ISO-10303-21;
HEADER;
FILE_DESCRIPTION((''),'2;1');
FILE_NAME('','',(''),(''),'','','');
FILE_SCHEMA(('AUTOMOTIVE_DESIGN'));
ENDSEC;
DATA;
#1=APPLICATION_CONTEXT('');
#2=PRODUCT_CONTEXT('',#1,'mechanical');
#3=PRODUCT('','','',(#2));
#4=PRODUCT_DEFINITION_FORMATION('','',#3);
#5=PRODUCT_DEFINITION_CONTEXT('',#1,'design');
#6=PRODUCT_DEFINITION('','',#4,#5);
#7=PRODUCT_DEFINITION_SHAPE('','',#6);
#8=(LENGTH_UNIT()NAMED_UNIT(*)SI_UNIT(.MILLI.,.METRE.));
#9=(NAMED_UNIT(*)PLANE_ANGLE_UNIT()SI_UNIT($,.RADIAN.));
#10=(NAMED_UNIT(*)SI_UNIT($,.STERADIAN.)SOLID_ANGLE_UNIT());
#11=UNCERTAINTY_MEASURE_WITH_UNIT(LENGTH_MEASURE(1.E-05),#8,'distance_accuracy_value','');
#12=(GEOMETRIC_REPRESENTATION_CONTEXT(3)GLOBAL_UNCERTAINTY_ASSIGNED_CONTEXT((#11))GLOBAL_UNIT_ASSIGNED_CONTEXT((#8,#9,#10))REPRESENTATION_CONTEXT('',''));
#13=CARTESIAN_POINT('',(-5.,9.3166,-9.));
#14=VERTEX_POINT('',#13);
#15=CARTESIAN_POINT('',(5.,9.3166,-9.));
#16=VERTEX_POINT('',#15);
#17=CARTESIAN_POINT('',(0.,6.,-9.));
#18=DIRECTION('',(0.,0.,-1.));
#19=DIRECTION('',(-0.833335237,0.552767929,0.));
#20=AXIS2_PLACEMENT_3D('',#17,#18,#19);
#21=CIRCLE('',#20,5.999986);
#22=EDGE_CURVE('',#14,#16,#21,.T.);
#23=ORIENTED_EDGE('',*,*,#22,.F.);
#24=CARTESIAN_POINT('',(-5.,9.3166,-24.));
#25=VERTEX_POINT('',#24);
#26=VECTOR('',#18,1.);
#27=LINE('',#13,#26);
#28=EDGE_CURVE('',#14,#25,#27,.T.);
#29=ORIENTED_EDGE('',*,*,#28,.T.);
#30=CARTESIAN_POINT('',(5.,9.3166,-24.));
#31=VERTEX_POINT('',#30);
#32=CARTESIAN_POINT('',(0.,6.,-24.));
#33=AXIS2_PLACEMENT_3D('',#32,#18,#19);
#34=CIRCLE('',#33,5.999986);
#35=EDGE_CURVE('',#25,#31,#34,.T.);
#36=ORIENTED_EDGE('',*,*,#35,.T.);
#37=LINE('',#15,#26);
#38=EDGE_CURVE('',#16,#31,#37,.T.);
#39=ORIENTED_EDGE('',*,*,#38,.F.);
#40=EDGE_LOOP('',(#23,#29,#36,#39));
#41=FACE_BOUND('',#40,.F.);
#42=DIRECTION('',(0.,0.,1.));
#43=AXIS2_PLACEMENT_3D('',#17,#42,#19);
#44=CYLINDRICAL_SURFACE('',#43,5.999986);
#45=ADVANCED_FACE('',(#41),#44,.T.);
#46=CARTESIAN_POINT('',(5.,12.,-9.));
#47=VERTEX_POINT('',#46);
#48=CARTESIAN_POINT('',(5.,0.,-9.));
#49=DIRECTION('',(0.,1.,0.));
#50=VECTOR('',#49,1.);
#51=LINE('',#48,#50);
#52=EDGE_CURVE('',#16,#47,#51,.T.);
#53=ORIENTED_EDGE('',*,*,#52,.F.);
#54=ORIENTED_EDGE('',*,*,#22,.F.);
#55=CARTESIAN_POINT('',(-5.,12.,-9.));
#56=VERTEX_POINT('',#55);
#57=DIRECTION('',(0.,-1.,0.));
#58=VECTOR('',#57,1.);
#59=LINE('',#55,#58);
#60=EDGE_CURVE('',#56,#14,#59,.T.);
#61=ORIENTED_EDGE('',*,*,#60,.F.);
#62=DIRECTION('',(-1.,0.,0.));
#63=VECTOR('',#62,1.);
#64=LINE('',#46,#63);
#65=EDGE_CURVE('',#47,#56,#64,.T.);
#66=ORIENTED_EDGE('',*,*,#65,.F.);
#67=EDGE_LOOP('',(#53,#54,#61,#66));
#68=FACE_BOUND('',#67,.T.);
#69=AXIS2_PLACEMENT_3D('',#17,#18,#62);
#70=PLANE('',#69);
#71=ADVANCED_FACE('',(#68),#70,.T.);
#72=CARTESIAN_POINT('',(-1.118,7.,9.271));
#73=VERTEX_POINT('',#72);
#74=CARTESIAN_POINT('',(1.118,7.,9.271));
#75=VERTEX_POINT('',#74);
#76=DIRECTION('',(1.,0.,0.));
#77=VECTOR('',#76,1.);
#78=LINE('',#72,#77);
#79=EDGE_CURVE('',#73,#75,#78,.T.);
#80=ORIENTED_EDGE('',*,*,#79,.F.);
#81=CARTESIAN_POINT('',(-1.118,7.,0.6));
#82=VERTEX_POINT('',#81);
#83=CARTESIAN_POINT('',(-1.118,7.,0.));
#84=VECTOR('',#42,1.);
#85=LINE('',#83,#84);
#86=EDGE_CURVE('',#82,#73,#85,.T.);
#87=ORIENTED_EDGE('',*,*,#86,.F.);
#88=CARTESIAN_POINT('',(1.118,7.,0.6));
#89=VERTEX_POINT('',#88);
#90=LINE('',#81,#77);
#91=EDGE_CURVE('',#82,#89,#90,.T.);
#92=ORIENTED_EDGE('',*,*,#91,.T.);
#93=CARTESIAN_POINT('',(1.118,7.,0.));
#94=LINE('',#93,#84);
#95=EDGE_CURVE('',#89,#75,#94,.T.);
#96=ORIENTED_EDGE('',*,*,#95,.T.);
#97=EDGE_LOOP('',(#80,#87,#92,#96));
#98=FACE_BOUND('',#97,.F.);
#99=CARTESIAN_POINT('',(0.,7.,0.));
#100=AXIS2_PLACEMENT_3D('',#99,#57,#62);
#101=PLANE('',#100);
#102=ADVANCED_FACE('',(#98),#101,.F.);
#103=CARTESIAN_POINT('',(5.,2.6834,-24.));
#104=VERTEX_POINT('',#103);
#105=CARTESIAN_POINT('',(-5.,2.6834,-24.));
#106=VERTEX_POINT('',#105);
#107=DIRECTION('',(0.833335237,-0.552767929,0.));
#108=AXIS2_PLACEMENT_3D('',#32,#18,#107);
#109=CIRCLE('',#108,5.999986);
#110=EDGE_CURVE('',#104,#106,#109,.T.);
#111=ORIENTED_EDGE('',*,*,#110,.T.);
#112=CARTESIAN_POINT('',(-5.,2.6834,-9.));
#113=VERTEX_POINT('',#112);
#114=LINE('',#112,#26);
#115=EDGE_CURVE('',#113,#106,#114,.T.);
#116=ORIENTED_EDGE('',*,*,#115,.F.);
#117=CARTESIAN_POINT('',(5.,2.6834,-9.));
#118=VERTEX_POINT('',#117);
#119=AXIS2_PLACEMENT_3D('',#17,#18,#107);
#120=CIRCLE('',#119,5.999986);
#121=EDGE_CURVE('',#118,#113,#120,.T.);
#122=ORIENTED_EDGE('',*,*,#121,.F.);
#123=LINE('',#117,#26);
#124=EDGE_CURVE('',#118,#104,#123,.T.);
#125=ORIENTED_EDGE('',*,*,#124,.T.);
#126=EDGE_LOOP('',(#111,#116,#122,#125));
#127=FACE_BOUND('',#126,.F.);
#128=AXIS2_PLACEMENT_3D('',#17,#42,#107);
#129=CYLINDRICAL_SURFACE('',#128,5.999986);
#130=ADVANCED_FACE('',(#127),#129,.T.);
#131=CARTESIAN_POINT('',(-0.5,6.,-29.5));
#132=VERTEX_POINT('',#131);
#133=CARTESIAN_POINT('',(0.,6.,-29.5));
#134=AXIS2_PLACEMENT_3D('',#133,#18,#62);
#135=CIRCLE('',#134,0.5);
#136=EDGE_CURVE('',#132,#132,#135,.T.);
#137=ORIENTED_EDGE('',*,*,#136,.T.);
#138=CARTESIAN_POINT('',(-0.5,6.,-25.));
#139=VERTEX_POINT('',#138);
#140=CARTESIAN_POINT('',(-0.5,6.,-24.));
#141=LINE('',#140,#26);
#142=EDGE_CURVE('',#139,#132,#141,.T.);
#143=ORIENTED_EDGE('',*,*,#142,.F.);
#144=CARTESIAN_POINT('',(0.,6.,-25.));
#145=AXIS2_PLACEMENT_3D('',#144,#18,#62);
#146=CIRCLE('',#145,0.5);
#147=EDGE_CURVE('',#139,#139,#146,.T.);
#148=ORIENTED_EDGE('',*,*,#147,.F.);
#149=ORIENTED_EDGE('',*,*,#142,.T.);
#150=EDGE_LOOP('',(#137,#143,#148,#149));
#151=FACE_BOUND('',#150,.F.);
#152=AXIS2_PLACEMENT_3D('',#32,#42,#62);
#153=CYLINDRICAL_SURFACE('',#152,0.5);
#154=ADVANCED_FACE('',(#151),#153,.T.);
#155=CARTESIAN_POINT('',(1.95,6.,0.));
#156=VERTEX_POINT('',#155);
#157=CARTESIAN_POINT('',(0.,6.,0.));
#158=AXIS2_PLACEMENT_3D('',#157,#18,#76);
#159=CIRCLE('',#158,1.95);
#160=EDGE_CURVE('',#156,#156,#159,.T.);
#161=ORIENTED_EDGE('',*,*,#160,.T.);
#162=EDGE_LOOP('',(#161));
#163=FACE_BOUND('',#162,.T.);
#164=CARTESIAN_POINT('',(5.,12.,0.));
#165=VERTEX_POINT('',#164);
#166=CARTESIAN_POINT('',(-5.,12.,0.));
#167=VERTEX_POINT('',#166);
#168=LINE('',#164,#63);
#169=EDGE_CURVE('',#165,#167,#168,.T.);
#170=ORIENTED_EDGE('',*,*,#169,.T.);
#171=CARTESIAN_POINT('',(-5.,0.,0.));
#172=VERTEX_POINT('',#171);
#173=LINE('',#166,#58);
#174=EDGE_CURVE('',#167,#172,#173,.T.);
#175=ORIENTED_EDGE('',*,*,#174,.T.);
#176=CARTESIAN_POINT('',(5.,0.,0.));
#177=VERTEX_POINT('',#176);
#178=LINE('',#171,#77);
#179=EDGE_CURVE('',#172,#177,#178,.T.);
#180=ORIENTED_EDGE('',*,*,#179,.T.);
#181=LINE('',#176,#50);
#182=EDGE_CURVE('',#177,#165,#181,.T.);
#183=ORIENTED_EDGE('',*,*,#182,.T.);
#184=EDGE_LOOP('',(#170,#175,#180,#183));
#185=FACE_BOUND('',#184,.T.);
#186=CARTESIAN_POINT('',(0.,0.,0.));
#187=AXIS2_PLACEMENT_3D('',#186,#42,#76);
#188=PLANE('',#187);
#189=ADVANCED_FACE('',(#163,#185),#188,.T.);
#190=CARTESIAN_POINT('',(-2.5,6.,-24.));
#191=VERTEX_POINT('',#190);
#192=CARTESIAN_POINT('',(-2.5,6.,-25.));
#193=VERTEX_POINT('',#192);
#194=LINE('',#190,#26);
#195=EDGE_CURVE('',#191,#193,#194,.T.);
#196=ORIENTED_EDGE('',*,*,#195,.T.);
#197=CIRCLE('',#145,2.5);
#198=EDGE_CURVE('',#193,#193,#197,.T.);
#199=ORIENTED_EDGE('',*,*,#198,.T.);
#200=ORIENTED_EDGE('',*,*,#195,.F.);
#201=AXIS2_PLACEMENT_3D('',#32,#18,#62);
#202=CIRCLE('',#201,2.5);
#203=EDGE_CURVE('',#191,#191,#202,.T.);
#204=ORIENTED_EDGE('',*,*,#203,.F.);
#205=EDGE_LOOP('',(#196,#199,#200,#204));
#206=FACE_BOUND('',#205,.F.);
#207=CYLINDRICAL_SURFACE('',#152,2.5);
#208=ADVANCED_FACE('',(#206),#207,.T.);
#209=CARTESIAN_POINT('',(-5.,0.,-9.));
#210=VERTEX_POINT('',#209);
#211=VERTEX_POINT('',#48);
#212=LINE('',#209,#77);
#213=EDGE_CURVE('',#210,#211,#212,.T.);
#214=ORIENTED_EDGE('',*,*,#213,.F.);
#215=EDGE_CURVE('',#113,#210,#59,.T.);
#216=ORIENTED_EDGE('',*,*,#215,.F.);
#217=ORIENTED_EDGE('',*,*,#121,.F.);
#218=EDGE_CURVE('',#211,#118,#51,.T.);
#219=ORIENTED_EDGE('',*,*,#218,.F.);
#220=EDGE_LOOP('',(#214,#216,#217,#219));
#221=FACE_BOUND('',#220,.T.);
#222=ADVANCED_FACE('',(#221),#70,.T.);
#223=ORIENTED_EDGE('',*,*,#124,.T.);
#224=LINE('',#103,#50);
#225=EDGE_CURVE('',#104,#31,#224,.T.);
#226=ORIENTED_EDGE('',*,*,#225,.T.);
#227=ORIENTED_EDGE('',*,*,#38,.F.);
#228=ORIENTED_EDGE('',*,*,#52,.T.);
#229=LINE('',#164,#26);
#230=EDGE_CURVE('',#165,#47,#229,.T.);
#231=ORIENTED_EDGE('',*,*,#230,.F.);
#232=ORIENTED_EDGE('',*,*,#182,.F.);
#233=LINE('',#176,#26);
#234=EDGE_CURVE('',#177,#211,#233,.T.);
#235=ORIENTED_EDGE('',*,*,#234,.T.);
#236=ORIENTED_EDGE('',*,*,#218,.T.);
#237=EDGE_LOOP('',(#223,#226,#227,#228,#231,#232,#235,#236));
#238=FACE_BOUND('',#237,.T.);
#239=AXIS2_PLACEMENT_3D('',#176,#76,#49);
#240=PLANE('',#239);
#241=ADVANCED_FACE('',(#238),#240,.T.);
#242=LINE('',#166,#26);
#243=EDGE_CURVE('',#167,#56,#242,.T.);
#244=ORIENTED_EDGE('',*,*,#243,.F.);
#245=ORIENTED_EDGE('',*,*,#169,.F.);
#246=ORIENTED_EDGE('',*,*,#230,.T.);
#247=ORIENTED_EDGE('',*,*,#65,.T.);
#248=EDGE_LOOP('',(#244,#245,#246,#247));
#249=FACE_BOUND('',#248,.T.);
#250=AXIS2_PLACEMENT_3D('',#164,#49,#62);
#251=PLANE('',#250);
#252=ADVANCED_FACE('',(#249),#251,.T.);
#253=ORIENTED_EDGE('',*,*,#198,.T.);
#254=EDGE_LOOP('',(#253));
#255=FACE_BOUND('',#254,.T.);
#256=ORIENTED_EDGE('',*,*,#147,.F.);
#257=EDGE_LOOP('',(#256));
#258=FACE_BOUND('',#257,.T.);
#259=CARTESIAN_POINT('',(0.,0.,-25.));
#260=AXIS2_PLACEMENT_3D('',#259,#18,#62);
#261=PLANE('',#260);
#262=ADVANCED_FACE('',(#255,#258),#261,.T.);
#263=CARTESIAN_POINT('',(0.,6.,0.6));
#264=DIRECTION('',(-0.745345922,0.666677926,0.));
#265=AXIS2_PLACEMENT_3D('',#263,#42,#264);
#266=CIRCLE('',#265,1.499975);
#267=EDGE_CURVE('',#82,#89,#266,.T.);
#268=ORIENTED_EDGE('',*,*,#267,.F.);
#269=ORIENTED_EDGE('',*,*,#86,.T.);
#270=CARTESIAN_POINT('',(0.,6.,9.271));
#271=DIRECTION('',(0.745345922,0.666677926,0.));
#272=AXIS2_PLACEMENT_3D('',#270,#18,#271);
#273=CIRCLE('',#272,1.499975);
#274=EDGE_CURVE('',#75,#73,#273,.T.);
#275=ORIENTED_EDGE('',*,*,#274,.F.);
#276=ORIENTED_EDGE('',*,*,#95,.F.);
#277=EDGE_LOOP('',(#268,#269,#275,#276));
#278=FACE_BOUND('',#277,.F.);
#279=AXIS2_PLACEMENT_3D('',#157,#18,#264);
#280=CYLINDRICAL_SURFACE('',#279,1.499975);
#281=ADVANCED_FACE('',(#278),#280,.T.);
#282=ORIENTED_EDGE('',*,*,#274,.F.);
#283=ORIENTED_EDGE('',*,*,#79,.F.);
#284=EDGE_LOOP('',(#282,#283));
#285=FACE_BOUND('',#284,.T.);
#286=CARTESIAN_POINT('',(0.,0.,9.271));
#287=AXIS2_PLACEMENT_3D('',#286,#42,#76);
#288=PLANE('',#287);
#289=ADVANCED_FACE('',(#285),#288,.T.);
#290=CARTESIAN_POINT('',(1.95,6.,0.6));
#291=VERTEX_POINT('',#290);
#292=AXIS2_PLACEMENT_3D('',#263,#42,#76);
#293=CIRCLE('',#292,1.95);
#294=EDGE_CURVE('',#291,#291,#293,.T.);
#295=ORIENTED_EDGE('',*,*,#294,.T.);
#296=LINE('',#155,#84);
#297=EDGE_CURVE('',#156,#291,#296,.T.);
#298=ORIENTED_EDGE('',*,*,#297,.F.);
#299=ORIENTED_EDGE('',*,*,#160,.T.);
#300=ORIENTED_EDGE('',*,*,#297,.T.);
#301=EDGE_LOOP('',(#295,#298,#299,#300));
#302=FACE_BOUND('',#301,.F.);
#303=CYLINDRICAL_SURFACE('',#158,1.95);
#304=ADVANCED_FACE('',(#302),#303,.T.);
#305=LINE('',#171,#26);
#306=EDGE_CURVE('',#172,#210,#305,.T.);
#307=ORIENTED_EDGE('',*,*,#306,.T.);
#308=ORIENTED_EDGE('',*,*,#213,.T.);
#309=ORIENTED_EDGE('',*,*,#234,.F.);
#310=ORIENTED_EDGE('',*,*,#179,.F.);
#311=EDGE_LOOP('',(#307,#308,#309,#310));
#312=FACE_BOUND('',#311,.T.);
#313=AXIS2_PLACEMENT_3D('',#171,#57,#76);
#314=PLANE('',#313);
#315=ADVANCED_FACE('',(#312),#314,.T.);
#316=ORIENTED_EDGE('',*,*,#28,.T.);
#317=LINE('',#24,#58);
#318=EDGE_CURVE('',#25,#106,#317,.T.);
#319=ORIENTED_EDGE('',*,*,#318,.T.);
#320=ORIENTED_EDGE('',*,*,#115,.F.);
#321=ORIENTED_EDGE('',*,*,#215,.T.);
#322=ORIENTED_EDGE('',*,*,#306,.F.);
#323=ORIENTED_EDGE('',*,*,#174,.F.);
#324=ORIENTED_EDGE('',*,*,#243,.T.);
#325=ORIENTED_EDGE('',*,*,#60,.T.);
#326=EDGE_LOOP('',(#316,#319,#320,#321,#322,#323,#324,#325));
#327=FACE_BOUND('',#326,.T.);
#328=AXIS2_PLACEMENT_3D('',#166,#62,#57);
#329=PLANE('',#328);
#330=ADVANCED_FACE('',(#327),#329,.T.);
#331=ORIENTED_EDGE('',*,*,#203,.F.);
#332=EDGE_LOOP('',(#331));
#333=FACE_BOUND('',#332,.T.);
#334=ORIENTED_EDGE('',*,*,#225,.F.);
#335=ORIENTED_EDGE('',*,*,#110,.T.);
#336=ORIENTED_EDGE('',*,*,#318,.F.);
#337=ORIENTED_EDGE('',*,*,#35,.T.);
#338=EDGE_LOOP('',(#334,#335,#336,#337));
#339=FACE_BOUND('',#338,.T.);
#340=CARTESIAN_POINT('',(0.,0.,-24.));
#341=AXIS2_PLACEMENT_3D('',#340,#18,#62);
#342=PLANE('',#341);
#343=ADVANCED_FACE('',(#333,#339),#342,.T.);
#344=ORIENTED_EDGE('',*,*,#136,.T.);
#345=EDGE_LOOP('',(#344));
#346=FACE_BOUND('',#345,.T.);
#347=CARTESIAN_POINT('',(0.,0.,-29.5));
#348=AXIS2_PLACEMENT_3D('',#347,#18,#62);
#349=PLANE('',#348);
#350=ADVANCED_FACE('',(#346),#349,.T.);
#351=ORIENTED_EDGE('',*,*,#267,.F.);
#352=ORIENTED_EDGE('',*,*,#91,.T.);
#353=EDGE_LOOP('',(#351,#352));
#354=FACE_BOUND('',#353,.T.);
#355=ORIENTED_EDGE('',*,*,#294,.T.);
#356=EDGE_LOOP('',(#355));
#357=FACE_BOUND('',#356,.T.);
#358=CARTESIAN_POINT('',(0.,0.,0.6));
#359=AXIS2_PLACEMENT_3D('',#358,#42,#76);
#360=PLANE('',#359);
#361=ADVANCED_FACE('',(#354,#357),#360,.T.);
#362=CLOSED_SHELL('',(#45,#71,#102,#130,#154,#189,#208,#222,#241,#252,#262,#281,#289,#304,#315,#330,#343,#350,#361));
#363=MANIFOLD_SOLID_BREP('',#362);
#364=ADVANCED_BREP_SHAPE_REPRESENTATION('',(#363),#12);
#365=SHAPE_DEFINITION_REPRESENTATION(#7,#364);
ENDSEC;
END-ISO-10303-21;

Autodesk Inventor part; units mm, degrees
ref_plane "YZ Plane" through (0, 0, 0) normal (1, 0, 0) x (0, 1, 0)
ref_plane "XZ Plane" through (0, 0, 0) normal (0, 1, 0) x (-1, 0, 0)
ref_plane "XY Plane" through (0, 0, 0) normal (0, 0, 1) x (1, 0, 0)
sketch "Sketch1" plane through (0, 0, 0) normal (0, 0, 1) x (1, 0, 0)
  line L0 (-5, 0) -> (5, 0)
  line L1 (5, 0) -> (5, 12)
  line L2 (5, 12) -> (-5, 12)
  line L3 (-5, 12) -> (-5, 0)
  arc A0 (-1.118, 7) -> (1.118, 7) centre (0, 6) ccw
  line L4 (0, 7) -> (-1.118, 7)
  line L5 (-1.118, 7) -> (1.118, 7)
  circle A1 centre (0, 6) radius 1.5
  circle A2 centre (0, 6) radius 1.95
  point P0 (0, 0)
  dimension "d0" = 10
  dimension "d1" = 12
extrude "Extrusion1" add sketch "Sketch1" along normal blind 9.271 contours L4 L5 A0
extrude "Extrusion2" add sketch "Sketch1" along normal blind 0.6 contours A2
extrude "Extrusion3" add sketch "Sketch1" along normal blind 0.6 contours A1 L5 L4
sketch "Sketch2" plane through (0, 6, 0) normal (0, 0, -1) x (-1, 0, 0)
  circle A0 centre (0, 0) radius 1.95 projected
  point P0 (0, -6)
extrude "Extrusion4" add sketch "Sketch1" against normal blind 9 contours L3 L2 L1 L0
extrude "Extrusion5" add sketch "Sketch2" along normal blind 9
sketch "Sketch4" plane through (0, 0, -9) normal (0, 0, -1) x (-1, 0, 0)
  line L0 (5, 9.3166) -> (5, 2.6834)
  line L1 (-5, 2.6834) -> (-5, 9.3166)
  arc A0 (5, 9.3166) -> (-5, 9.3166) centre (0, 6) ccw
  arc A1 (-5, 2.6834) -> (5, 2.6834) centre (0, 6) ccw
  point P0 (0, 0)
extrude "Extrusion6" add sketch "Sketch4" along normal blind 15
sketch "Sketch5" plane through (0, 0, -24) normal (0, 0, -1) x (-1, 0, 0)
  circle A0 centre (0, 6) radius 2.5
  circle A1 centre (0, 6) radius 0.5
  point P0 (0, 0)
extrude "Extrusion7" add sketch "Sketch5" along normal blind 1
extrude "Extrusion8" add sketch "Sketch5" along normal blind 5.5 contours A1
sketch "Sketch6" plane through (-5, 0, 0) normal (0, -1, 0) x (1, 0, 0)
  line L0 (0, 0) -> (10, 0) projected
  line L1 (0, 0) -> (0, -9) projected
  line L2 (5, -9) -> (0, -9) projected
  line L3 (10, -9) -> (5, -9) projected
  line L4 (10, 0) -> (10, -9) projected
  line L5 (5, -9) -> (10, -9) projected
  line L6 (0, -9) -> (5, -9) projected
  line L7 (0, -9) -> (0, -24) projected
  line L8 (10, -24) -> (0, -24) projected
  line L9 (10, -9) -> (10, -24) projected
  line L10 (0, 0) -> (10, 0) projected
  line L11 (0, 0) -> (0, -9) projected
  line L12 (5, -9) -> (0, -9) projected
  line L13 (10, -9) -> (5, -9) projected
  line L14 (10, 0) -> (10, -9) projected
  line L15 (3.882, 0.6) -> (6.118, 0.6) projected
  line L16 (6.118, 0.6) -> (6.118, 9.271) projected
  line L17 (3.882, 9.271) -> (6.118, 9.271) projected
  line L18 (3.882, 0.6) -> (3.882, 9.271) projected
  line L19 (6.95, 0.6) -> (3.05, 0.6) projected
  line L20 (3.5, 0.6) -> (3.5, 9.271) projected
  line L21 (4.5, -29.5) -> (5.5, -29.5) projected
  line L22 (5.5, -25) -> (4.5, -25) projected
  line L23 (2.5, -25) -> (7.5, -25) projected
  line L24 (7.5, -24) -> (2.5, -24) projected
  line L25 (5.5, -25) -> (5.5, -29.5) projected
  line L26 (4.5, -25) -> (4.5, -29.5) projected
  line L27 (2.5, -24) -> (2.5, -25) projected
  line L28 (2.5, -25) -> (7.5, -25) projected
  line L29 (7.5, -24) -> (7.5, -25) projected
  line L30 (6.5, 0.6) -> (6.5, 9.271) projected
  line L31 (6.95, 0) -> (6.95, 0.6) projected
  line L32 (3.05, 0) -> (3.05, 0.6) projected
  line L33 (6.5, 9.271) -> (3.5, 9.271) projected
  point P0 (5, 0)
properties part number "Motors" material "Stainless Steel"
